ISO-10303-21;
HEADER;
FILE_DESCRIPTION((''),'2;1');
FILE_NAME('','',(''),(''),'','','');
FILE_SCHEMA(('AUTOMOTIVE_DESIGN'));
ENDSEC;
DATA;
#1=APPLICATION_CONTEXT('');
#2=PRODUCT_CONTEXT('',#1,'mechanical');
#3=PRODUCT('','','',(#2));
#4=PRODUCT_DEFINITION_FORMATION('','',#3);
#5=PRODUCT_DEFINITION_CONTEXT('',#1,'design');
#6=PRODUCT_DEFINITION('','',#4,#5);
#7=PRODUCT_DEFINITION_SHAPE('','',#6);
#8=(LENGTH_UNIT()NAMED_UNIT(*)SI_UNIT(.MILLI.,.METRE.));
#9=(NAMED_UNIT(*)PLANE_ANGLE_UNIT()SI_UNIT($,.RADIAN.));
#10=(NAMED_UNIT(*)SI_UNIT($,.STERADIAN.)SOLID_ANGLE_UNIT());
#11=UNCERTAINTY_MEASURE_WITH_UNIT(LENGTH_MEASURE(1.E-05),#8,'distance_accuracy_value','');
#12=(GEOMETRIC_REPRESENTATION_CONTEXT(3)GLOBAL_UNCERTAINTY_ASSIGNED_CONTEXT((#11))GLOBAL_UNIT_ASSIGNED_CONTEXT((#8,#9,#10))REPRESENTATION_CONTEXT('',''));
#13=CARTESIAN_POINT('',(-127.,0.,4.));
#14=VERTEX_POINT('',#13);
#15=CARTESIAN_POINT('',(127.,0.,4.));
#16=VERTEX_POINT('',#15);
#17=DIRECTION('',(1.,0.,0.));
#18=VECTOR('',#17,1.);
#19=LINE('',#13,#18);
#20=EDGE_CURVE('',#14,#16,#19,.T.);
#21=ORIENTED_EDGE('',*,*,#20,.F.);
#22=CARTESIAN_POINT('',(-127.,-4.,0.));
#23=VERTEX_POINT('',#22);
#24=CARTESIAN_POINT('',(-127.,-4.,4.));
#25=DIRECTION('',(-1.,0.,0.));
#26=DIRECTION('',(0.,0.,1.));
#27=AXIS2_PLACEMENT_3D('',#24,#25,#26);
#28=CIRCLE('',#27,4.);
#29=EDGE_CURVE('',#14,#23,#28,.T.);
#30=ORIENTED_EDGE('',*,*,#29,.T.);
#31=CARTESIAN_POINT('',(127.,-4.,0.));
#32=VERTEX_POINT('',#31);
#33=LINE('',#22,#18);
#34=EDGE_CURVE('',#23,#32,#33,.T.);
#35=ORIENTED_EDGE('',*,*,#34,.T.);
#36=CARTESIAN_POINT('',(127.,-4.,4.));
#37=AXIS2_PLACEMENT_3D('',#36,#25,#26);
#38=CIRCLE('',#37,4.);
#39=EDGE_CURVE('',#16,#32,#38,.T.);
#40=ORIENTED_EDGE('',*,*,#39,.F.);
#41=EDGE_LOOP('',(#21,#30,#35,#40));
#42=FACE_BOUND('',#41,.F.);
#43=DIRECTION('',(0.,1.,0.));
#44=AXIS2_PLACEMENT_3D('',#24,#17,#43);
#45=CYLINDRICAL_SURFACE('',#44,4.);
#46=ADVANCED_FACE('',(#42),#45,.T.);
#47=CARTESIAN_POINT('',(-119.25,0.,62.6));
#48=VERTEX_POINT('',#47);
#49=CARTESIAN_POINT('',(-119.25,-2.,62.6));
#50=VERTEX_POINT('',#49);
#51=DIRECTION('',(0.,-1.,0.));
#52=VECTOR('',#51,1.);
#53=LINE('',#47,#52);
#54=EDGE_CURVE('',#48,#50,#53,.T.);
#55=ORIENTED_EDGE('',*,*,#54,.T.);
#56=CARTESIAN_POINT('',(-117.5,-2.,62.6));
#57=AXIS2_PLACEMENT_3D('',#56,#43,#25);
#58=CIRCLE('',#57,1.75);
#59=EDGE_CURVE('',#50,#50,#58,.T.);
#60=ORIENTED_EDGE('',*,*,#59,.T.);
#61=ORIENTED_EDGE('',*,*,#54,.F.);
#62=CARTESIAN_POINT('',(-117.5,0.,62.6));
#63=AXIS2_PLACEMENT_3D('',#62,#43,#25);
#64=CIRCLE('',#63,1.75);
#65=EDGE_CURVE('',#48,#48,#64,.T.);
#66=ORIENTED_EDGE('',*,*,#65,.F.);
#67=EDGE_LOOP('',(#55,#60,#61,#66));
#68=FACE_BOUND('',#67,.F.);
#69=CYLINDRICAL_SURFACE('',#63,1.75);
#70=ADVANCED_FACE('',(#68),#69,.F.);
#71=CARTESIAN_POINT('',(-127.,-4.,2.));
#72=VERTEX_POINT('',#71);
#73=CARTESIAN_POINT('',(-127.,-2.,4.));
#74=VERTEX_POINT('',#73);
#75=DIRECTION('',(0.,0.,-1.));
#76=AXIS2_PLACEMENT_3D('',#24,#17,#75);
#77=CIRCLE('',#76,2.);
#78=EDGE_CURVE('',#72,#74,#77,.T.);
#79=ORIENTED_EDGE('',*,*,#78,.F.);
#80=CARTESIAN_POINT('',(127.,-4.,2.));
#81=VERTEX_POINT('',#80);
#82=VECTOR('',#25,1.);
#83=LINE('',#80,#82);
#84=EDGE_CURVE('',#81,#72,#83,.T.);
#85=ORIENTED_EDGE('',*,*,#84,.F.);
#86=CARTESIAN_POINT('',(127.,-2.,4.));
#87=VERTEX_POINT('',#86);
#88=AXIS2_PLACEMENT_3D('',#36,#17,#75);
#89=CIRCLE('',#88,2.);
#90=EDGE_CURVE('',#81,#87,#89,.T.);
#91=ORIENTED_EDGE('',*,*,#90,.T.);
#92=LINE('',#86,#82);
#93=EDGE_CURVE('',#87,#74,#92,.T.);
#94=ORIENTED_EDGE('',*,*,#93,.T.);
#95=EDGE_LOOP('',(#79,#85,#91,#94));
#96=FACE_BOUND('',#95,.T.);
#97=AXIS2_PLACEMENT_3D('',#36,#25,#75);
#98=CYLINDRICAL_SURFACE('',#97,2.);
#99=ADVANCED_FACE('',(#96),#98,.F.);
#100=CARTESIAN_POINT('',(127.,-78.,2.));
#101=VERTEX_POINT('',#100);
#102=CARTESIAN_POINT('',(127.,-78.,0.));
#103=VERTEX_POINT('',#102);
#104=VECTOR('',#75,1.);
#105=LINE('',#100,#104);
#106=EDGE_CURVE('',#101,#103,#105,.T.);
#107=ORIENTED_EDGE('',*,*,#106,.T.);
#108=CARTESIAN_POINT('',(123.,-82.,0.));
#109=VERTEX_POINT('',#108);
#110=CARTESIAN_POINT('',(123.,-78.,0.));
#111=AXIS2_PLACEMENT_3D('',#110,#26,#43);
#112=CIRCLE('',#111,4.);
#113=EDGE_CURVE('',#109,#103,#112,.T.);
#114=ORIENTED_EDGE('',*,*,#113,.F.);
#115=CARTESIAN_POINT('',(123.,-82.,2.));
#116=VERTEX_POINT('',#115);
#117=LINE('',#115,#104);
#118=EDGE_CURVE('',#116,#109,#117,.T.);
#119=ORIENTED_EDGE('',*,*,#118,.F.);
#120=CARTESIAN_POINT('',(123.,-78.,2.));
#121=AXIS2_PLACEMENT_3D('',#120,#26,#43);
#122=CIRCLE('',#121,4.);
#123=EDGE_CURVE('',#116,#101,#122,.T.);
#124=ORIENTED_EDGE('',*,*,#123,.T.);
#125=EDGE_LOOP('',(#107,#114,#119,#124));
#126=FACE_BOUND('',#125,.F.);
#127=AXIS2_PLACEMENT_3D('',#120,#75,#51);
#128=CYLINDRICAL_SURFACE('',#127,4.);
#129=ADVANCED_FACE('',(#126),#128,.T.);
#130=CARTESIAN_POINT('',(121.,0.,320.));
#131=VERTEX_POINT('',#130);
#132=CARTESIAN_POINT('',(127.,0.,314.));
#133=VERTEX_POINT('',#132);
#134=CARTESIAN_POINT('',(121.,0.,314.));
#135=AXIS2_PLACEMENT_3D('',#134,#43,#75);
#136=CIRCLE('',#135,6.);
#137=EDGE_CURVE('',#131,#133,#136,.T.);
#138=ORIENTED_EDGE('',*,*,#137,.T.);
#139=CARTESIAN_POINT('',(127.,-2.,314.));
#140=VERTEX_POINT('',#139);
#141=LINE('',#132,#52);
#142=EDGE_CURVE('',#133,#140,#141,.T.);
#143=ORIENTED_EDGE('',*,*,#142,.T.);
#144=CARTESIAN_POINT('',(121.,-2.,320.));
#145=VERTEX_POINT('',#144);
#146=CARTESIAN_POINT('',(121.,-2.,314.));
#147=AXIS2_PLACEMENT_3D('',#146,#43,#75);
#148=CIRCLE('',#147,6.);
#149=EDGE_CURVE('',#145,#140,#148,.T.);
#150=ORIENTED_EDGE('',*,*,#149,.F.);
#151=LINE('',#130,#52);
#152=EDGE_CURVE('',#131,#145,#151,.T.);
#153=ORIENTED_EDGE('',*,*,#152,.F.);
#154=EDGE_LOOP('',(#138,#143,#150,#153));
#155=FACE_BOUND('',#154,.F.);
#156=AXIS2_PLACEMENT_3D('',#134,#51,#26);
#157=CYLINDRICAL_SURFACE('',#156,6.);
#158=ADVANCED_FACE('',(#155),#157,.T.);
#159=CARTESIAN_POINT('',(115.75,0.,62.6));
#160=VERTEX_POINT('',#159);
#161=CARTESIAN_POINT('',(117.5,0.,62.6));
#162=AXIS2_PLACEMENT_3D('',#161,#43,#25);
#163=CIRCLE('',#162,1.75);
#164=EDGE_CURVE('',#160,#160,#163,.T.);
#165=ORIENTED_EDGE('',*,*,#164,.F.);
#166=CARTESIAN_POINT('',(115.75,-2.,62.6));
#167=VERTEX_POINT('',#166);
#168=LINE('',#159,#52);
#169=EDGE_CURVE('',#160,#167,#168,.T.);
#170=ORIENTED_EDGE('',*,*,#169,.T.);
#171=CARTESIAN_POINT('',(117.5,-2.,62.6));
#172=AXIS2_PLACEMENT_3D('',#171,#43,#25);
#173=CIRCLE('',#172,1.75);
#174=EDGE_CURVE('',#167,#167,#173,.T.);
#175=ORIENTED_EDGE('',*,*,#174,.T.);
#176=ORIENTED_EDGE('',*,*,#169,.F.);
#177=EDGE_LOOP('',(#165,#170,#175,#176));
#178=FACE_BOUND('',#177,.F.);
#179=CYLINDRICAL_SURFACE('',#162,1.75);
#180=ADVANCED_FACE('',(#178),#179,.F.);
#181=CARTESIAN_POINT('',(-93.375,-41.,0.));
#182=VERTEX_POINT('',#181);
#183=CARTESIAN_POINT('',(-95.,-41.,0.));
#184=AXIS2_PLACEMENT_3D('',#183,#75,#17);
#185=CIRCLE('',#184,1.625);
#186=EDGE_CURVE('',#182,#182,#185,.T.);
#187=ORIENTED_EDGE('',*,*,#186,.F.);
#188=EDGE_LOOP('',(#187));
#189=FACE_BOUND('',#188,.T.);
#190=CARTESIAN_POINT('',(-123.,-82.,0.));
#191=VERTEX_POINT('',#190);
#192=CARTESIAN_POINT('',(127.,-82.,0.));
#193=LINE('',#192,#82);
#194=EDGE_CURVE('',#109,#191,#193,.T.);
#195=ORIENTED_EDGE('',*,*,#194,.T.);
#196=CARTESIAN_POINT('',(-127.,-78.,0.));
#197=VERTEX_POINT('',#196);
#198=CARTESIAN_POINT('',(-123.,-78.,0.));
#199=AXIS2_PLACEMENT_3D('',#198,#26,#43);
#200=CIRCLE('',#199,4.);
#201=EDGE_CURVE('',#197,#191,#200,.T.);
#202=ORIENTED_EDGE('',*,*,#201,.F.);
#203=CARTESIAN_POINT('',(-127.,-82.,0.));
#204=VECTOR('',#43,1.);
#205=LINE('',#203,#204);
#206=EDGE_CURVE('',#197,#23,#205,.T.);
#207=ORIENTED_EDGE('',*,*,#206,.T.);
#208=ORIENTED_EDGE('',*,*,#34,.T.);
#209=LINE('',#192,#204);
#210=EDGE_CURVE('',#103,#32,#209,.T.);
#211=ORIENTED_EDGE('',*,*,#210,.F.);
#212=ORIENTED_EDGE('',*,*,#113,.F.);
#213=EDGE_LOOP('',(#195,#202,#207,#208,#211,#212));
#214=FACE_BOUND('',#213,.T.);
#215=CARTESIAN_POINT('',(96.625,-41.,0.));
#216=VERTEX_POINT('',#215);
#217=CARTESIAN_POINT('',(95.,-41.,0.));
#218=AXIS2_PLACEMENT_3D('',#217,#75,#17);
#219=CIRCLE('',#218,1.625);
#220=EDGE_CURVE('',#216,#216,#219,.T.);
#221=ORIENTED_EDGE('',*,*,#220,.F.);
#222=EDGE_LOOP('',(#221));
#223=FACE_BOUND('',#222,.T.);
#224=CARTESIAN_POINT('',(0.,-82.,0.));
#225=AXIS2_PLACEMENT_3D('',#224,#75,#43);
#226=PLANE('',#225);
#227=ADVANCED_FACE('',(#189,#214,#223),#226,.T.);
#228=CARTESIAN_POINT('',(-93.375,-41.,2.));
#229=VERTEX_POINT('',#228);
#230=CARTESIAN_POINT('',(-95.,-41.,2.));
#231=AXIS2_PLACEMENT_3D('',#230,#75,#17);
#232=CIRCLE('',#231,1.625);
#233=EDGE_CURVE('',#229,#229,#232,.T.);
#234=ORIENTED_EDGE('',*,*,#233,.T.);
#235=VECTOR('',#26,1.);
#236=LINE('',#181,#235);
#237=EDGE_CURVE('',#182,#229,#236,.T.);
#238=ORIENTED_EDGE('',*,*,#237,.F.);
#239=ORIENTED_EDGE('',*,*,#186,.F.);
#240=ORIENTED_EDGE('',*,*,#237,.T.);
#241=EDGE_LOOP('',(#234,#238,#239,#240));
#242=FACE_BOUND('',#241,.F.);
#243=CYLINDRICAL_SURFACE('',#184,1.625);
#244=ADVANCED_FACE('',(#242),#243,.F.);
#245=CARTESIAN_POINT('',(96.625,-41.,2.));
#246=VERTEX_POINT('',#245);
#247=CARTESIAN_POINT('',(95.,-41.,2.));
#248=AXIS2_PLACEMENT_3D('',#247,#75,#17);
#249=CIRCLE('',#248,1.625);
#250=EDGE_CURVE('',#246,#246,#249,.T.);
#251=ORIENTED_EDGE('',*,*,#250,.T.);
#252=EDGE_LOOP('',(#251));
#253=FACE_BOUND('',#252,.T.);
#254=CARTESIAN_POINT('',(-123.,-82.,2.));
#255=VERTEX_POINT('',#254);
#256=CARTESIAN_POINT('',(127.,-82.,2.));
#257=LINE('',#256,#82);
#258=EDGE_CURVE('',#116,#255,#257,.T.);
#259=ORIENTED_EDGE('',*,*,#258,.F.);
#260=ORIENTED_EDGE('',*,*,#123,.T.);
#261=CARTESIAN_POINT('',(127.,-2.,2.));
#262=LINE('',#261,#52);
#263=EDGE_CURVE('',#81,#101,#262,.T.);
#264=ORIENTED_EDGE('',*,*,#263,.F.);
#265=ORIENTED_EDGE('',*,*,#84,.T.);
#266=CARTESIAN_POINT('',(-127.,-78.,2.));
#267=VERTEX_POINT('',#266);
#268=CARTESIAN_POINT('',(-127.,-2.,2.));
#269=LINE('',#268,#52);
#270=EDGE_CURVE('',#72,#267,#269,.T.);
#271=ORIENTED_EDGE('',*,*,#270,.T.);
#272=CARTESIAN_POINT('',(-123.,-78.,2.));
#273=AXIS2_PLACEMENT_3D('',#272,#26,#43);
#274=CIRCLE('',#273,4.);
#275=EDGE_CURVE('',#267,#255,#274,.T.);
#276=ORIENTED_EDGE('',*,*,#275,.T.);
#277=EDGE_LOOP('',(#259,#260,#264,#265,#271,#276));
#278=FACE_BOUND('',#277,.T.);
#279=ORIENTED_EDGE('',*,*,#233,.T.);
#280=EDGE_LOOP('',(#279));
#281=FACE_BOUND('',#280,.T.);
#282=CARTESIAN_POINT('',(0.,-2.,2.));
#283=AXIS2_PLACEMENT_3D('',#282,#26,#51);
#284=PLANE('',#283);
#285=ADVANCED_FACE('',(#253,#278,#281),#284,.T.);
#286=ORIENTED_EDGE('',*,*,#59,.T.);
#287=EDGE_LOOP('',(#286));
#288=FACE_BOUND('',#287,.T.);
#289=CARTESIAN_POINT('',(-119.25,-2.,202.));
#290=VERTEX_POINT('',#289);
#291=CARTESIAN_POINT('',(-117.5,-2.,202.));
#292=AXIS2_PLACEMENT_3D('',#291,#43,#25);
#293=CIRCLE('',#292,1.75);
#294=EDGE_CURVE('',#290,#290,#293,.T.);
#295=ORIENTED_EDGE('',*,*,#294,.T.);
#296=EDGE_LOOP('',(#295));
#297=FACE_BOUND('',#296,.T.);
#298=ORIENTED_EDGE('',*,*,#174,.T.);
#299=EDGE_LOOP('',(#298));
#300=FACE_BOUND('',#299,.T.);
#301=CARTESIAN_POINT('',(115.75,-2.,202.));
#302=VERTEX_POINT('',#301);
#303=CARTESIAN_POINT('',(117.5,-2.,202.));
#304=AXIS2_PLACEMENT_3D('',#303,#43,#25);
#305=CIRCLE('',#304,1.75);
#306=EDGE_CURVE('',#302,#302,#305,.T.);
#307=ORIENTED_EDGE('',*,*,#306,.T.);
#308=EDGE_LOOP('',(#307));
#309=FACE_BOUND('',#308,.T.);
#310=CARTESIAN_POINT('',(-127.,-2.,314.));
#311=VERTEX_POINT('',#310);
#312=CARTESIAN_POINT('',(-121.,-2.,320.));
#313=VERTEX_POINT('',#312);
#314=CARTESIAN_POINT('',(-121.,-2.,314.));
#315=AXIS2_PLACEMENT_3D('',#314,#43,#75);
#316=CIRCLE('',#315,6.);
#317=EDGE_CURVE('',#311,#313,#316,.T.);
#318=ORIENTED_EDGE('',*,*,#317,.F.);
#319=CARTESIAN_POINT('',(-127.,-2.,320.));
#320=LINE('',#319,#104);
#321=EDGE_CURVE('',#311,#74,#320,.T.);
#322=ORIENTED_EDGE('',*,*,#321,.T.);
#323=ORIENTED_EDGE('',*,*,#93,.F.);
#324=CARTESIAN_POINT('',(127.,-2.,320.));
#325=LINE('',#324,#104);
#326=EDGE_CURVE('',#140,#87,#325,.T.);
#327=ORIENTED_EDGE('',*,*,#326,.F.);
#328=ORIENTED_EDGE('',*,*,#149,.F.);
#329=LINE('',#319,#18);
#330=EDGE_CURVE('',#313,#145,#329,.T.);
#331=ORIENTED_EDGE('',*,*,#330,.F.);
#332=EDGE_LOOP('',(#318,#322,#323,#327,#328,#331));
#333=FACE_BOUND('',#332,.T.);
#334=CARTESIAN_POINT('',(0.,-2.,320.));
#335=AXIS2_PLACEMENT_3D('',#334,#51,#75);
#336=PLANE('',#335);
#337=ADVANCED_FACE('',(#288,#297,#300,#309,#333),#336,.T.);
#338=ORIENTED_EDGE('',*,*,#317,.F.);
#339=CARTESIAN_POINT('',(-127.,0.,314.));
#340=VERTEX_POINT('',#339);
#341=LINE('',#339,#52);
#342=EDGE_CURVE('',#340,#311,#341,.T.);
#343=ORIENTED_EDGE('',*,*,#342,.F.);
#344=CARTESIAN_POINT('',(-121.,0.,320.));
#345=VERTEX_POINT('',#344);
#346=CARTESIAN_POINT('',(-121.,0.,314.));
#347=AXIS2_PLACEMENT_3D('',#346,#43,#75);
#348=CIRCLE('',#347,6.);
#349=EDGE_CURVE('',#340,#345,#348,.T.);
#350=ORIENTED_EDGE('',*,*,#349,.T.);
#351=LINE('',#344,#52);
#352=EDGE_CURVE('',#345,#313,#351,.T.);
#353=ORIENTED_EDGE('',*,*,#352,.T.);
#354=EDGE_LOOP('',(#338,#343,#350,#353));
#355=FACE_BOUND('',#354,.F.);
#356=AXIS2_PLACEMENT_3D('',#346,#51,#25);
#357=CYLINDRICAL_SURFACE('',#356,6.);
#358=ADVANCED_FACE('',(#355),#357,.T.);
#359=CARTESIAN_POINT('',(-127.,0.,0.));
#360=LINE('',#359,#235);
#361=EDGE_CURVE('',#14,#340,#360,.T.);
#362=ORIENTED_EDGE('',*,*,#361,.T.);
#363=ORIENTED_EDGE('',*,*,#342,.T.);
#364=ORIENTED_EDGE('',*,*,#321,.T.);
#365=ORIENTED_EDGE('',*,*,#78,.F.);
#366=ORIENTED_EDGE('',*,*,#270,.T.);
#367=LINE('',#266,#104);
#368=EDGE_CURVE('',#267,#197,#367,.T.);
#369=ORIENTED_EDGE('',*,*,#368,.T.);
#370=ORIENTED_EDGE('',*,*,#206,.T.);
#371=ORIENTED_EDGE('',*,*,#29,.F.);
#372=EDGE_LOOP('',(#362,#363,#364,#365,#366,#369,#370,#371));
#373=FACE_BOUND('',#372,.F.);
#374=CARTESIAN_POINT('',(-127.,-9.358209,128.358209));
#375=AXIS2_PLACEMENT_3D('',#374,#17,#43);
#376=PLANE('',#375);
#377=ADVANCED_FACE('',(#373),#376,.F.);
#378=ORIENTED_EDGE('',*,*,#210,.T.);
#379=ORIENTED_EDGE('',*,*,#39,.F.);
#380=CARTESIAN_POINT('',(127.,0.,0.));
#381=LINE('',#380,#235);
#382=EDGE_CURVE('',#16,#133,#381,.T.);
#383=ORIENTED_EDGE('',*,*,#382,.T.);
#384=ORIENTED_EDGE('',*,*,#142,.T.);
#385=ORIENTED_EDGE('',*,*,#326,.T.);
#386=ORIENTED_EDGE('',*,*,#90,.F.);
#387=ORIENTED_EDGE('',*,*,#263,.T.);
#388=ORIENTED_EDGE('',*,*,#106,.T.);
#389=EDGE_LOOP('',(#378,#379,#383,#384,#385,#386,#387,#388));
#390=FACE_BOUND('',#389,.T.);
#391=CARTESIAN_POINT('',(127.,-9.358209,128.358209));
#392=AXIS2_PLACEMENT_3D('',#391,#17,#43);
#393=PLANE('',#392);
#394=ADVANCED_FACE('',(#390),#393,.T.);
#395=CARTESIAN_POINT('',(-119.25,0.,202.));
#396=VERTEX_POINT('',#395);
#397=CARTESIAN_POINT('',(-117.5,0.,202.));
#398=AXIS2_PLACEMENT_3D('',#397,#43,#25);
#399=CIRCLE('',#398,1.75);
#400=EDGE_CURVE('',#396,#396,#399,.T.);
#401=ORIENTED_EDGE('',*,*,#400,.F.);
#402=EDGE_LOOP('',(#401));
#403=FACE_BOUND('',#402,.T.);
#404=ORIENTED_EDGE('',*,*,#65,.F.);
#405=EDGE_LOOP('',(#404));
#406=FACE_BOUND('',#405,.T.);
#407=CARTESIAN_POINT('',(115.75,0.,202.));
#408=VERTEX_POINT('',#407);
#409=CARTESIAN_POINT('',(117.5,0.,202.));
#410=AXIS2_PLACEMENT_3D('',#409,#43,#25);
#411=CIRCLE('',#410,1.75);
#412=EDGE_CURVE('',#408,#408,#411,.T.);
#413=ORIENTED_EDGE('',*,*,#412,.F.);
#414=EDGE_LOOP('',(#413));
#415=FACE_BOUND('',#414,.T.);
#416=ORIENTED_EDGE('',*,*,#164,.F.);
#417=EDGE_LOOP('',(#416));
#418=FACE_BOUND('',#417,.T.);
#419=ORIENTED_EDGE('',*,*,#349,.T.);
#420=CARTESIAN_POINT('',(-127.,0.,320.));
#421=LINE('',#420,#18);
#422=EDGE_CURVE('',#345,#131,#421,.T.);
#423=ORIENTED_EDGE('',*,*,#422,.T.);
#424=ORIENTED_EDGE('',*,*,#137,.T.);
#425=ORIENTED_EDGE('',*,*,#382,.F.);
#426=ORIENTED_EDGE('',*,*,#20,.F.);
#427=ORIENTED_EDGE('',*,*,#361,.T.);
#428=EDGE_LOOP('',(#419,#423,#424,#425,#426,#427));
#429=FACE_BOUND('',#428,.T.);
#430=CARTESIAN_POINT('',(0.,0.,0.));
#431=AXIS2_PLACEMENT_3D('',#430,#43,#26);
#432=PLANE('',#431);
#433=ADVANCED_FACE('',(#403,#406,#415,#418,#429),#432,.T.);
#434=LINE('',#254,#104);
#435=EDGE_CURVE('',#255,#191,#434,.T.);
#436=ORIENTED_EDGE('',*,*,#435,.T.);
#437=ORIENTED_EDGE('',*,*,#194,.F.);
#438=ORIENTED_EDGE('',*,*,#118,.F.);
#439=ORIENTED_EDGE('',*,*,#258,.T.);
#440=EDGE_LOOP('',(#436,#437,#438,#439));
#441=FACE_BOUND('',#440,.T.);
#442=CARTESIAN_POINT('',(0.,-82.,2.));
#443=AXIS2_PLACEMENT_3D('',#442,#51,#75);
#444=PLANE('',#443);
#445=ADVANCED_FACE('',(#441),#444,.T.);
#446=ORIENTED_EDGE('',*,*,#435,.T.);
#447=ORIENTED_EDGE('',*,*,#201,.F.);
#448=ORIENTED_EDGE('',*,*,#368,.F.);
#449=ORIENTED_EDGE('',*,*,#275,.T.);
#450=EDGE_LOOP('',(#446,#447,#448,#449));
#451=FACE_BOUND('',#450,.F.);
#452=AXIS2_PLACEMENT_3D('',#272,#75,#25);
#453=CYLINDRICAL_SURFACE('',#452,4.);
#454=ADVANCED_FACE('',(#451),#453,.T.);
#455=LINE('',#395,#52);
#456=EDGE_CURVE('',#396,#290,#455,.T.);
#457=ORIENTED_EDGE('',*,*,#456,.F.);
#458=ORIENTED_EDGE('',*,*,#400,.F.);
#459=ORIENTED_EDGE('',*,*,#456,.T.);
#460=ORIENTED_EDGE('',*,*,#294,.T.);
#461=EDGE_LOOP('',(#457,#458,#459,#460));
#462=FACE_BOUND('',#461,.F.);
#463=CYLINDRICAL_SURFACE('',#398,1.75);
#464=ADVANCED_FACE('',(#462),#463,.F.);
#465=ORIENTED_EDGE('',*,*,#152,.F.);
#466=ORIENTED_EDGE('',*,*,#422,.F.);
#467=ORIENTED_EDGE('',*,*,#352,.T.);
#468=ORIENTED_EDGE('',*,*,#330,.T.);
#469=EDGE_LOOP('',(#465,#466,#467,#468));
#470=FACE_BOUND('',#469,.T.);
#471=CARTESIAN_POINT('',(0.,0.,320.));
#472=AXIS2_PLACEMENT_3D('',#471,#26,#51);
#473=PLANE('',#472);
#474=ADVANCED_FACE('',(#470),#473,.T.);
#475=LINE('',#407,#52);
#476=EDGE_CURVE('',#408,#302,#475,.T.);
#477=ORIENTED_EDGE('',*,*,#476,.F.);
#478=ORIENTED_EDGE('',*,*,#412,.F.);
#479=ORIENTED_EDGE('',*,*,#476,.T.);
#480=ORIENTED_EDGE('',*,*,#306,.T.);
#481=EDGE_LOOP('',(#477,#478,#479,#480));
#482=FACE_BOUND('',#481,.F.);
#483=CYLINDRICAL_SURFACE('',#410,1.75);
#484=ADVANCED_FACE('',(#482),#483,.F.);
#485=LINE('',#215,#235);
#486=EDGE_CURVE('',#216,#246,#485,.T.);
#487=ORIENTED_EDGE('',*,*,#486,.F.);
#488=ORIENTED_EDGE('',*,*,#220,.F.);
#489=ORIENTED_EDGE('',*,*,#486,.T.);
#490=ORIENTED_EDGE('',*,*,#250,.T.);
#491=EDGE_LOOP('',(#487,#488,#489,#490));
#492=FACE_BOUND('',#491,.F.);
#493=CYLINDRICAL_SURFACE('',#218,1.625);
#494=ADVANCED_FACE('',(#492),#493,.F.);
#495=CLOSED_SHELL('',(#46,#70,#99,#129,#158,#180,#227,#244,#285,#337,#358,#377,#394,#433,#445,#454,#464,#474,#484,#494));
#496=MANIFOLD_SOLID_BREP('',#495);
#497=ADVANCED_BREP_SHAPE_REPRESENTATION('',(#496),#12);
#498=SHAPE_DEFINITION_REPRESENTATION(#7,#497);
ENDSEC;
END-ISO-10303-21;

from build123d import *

# Parameters (mm, degrees)
F1_DEPTH = 127
F2_R     = 2
F3_R     = 4
F4_R     = 6
F5_R     = 4
F6_R     = 1.625
F7_DEPTH = 2
F8_R     = 1.75
F9_DEPTH = 2


with BuildPart() as f1:
    # F0 (on Right) → F1 (new body, symmetric)
    with BuildSketch(Plane.YZ):
        Polygon((-82, 0), (0, 0), (0, 320), (-2, 320), (-2, 2), (-82, 2), align=None)
    extrude(amount=F1_DEPTH, both=True)

    # F2
    f2_edges = [f1.edges().sort_by_distance(p)[0] for p in [
        (0, -2, 2),
    ]]
    fillet(f2_edges, radius=F2_R)

    # F3
    f3_edges = [f1.edges().sort_by_distance(p)[0] for p in [
        (0, 0, 0),
    ]]
    fillet(f3_edges, radius=F3_R)

    # F4
    f4_edges = [f1.edges().sort_by_distance(p)[0] for p in [
        (127, -1, 320),
        (-127, -1, 320),
    ]]
    fillet(f4_edges, radius=F4_R)

    # F5
    f5_edges = [f1.edges().sort_by_distance(p)[0] for p in [
        (127, -82, 1),
        (-127, -82, 1),
    ]]
    fillet(f5_edges, radius=F5_R)

    # F6 (on face) → F7 (cut, through all)
    with BuildSketch(Plane(origin=(0, 0, 0), x_dir=(1, 0, 0), z_dir=(0, 0, -1))):
        with Locations((95, 41)):
            Circle(F6_R)
        with Locations((-95, 41)):
            Circle(F6_R)
    extrude(amount=-F7_DEPTH, mode=Mode.SUBTRACT)

    # F8 (on face) → F9 (cut, through all)
    with BuildSketch(Plane(origin=(0, 0, 0), x_dir=(-1, 0, 0), z_dir=(0, 1, 0))):
        with Locations((117.5, 202)):
            Circle(F8_R)
        with Locations((-117.5, 202)):
            Circle(F8_R)
        with Locations((117.5, 62.6)):
            Circle(F8_R)
        with Locations((-117.5, 62.6)):
            Circle(F8_R)
    extrude(amount=-F9_DEPTH, mode=Mode.SUBTRACT)


solid = f1.part
